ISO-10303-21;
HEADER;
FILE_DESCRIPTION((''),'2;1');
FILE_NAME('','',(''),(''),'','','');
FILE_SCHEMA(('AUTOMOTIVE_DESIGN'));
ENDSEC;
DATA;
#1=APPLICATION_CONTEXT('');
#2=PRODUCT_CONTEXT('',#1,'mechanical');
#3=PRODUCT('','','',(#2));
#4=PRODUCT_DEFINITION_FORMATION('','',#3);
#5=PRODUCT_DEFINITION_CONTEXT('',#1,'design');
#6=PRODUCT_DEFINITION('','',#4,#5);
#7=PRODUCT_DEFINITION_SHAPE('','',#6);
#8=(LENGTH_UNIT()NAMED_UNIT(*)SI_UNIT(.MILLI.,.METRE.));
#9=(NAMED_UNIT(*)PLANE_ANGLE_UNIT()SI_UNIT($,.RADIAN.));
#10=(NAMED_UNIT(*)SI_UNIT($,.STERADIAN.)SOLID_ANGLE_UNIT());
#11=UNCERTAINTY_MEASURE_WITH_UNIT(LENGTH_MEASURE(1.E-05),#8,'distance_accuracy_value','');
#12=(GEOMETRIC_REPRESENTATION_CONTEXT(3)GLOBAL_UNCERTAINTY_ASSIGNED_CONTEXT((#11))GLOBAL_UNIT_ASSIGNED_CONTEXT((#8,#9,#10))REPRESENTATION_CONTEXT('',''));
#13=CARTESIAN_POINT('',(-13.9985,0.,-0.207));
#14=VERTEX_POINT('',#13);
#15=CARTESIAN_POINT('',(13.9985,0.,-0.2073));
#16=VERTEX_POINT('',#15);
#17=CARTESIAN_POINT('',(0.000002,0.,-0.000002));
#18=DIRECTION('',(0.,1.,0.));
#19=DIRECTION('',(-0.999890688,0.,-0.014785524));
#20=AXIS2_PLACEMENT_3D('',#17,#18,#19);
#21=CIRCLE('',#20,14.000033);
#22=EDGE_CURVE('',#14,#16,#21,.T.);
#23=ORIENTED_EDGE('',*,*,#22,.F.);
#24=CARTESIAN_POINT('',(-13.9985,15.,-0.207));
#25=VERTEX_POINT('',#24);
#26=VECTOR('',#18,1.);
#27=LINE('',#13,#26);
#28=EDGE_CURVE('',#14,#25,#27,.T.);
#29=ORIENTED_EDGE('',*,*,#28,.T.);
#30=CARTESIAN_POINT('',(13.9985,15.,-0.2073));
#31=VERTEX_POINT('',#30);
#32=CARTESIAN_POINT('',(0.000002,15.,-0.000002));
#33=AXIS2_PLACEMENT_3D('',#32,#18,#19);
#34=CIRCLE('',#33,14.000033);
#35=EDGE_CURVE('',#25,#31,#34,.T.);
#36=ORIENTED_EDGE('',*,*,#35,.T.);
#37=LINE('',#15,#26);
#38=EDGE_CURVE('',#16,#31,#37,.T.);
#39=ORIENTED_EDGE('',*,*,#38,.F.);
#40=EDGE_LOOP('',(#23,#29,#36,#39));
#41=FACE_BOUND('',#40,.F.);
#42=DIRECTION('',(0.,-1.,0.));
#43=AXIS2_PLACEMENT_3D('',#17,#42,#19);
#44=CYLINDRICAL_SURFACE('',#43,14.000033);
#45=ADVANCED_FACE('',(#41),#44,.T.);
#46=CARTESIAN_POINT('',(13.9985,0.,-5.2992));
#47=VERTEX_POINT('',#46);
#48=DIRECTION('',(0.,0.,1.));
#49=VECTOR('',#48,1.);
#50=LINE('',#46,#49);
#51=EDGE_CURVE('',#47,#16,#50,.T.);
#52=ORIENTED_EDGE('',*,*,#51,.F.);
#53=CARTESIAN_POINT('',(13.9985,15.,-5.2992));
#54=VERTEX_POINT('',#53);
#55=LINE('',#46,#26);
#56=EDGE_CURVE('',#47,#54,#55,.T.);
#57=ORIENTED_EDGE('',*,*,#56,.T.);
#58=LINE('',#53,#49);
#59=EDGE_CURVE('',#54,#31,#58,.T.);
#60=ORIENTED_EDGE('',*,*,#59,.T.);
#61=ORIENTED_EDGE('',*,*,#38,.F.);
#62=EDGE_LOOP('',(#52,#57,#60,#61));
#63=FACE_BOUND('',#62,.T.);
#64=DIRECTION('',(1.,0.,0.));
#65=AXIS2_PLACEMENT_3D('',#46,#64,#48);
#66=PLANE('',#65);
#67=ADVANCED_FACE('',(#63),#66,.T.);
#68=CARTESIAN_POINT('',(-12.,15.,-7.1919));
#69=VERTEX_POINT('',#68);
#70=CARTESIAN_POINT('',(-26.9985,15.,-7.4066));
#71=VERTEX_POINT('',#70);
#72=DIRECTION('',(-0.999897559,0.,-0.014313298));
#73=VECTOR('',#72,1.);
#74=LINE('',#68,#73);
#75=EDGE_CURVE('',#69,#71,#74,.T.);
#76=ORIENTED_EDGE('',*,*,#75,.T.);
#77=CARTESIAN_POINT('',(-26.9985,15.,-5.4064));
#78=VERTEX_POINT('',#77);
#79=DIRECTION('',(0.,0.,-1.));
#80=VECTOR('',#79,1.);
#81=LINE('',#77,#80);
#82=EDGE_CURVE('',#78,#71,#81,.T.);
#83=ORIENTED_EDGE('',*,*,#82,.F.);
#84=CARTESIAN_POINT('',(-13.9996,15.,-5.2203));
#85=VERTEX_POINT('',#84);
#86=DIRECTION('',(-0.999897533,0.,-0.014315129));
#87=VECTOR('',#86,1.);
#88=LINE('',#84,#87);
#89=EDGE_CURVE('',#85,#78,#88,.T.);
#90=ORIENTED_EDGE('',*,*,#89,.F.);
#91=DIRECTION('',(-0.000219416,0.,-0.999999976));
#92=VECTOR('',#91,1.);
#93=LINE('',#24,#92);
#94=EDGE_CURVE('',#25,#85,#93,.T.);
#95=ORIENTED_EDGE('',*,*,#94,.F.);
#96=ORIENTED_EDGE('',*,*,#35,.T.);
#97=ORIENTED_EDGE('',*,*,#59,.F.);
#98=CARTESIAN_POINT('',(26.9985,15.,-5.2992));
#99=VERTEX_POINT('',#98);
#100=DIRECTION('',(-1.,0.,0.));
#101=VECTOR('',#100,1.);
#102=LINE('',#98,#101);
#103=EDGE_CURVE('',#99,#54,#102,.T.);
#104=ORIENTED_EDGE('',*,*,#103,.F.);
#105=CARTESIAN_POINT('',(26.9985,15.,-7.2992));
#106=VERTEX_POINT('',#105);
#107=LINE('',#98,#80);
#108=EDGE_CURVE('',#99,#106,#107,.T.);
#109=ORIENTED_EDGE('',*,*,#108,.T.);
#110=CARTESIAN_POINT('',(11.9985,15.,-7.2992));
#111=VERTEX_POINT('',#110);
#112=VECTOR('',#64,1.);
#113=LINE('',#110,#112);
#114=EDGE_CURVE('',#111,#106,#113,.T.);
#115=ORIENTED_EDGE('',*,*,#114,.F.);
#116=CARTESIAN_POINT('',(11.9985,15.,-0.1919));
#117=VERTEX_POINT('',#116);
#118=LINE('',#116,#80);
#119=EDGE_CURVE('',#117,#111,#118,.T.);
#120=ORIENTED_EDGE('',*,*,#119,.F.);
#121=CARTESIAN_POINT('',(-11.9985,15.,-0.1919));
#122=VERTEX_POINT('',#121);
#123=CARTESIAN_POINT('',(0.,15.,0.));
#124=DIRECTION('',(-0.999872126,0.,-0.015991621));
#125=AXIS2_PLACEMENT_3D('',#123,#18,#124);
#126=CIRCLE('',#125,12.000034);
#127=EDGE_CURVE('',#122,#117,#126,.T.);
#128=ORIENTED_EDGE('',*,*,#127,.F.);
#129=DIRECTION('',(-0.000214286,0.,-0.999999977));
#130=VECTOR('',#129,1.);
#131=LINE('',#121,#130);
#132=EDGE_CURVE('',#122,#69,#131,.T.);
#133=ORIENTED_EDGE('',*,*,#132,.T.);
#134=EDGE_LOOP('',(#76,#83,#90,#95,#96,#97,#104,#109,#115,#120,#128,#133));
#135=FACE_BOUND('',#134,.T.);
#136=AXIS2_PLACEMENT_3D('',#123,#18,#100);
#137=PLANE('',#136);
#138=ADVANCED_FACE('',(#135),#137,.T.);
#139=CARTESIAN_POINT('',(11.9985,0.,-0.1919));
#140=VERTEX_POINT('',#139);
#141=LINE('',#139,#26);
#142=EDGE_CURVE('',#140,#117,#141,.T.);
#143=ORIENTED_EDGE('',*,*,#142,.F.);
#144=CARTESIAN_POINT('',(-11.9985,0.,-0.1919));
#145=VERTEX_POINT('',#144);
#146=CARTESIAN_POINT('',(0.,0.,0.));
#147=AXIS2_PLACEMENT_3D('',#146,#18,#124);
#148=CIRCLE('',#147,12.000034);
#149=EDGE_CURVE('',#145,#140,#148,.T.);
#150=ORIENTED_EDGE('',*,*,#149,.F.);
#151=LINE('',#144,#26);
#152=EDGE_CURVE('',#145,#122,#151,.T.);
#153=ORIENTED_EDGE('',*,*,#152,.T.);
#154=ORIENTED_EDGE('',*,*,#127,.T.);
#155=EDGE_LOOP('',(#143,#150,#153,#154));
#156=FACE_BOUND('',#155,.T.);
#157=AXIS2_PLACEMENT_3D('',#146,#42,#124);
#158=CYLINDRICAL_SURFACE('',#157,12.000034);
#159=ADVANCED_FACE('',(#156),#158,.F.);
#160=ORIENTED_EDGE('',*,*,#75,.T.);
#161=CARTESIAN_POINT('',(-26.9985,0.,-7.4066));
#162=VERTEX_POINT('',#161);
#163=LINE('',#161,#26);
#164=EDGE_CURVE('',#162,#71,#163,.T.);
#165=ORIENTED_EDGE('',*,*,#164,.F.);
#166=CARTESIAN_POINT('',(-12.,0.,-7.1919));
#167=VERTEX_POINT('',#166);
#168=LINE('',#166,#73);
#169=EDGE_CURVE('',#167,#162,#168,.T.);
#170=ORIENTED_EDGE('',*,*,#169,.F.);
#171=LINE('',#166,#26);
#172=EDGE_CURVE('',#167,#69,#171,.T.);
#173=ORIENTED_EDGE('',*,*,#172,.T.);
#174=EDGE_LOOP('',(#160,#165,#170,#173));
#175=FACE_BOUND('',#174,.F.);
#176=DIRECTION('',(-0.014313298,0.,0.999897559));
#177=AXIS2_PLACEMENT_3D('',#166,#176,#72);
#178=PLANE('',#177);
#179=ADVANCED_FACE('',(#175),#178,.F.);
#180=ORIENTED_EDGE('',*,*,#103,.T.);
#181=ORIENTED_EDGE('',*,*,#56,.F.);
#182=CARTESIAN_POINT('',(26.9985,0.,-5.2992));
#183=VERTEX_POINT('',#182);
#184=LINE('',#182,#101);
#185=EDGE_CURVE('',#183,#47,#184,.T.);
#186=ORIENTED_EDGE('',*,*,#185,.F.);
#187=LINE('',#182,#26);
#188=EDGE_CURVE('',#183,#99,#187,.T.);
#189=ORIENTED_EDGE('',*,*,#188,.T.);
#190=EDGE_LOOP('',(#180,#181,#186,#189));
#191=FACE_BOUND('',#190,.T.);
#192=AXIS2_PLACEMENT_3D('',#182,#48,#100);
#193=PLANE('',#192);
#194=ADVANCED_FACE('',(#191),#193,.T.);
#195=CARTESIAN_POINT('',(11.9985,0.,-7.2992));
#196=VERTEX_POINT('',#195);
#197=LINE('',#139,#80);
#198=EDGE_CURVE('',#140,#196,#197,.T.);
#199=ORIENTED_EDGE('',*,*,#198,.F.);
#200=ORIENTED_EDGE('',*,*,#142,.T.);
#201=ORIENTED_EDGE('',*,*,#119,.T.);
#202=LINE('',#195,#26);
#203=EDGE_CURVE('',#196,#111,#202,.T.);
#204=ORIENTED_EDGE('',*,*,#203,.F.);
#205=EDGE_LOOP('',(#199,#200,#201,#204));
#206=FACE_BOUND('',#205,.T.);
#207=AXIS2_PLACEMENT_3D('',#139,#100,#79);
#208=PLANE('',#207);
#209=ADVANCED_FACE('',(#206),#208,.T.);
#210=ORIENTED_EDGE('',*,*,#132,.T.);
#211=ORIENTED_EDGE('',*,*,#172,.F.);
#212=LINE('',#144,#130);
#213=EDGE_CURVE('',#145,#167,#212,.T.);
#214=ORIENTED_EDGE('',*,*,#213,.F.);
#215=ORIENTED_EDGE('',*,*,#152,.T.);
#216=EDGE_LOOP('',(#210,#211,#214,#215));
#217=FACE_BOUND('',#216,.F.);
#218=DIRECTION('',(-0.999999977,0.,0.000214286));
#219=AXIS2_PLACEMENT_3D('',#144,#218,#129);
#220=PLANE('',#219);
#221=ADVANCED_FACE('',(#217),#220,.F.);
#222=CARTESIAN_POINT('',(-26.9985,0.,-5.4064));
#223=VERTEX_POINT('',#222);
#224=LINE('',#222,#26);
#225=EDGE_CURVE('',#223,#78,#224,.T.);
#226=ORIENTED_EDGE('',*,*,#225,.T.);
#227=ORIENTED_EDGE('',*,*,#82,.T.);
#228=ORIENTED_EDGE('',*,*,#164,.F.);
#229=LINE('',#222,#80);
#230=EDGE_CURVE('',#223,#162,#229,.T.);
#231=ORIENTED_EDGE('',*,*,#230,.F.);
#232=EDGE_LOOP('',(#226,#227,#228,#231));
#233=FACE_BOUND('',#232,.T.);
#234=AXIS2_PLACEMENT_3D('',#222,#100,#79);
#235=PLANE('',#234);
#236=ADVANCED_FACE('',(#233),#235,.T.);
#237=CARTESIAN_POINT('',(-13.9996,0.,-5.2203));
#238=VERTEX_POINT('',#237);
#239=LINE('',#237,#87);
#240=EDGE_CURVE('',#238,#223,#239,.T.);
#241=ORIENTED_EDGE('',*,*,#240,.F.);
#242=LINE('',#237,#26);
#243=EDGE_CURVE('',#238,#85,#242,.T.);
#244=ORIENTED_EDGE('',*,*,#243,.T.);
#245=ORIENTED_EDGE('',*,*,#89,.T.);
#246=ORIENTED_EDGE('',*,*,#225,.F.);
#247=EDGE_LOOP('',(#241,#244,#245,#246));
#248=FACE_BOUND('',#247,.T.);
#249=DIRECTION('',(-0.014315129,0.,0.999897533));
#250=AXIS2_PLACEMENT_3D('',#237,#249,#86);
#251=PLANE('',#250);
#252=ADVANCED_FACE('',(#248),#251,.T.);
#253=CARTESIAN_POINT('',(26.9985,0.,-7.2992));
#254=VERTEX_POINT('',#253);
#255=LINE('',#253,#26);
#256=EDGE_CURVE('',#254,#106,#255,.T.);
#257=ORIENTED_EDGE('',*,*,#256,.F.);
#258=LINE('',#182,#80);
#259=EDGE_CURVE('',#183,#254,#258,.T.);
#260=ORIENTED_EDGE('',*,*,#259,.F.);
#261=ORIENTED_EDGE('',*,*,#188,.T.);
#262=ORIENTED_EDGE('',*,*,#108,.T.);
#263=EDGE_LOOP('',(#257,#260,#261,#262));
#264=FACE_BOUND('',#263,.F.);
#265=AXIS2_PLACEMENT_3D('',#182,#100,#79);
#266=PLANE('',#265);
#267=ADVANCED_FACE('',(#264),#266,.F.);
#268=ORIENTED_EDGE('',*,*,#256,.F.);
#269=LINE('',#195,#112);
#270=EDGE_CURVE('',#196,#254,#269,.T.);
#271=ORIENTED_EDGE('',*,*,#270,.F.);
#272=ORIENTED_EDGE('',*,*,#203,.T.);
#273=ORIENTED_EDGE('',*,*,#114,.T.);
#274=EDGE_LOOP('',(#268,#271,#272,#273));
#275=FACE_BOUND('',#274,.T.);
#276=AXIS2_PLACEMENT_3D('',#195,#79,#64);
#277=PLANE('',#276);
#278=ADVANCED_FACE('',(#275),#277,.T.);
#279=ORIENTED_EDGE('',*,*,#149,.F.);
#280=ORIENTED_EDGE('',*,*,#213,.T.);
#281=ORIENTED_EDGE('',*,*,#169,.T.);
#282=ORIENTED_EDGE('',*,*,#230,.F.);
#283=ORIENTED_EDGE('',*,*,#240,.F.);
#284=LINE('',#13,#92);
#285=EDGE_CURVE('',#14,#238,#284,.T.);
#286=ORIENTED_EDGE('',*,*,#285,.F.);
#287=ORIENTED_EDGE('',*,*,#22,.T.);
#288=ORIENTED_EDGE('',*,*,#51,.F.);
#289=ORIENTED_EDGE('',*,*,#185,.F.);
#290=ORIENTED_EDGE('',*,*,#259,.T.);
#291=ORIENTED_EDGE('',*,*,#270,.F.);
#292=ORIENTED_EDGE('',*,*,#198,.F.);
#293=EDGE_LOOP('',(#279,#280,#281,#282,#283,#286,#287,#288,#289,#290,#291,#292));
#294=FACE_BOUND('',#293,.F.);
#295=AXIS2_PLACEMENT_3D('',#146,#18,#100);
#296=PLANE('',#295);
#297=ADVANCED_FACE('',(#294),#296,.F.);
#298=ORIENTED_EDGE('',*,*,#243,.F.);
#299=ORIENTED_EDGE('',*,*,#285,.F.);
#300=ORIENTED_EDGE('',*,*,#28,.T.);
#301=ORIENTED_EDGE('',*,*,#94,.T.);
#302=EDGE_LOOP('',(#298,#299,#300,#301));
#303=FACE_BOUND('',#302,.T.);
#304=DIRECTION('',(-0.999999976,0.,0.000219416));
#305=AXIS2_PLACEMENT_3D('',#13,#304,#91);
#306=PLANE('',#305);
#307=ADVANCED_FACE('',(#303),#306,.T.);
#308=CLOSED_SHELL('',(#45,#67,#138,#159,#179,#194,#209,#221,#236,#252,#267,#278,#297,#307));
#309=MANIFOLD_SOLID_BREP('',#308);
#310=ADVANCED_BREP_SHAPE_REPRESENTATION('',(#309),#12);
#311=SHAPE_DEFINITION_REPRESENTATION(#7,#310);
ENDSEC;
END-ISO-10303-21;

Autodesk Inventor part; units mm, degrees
ref_plane "YZ Plane" through (0, 0, 0) normal (1, 0, 0) x (0, 1, 0)
ref_plane "XZ Plane" through (0, 0, 0) normal (0, 1, 0) x (-1, 0, 0)
ref_plane "XY Plane" through (0, 0, 0) normal (0, 0, 1) x (1, 0, 0)
sketch "Sketch3" plane through (0, 0, 0) normal (0, 1, 0) x (-1, 0, 0)
  arc A0 (11.9985, -0.1919) -> (-11.9985, -0.1919) centre (0, 0) ccw
  line L0 (11.9985, -0.1919) -> (12, -7.1919)
  line L1 (12, -7.1919) -> (26.9985, -7.4066)
  line L2 (-11.9985, -0.1919) -> (-11.9985, -7.2992)
  line L3 (-11.9985, -7.2992) -> (-26.9985, -7.2992)
  line L4 (-26.9985, -5.2992) -> (-13.9985, -5.2992)
  line L5 (-13.9985, -5.2992) -> (-13.9985, -0.2073)
  arc A1 (13.9985, -0.207) -> (-13.9985, -0.2073) centre (0, 0) ccw
  line L6 (13.9985, -0.207) -> (13.9996, -5.2203)
  line L7 (13.9996, -5.2203) -> (26.9985, -5.4064)
  line L8 (-26.9985, -5.2992) -> (-26.9985, -7.2992)
  line L9 (26.9985, -5.4064) -> (26.9985, -7.4066)
  dimension "d25" = 24
  dimension "d26" = 7
  dimension "d27" = 15
  dimension "d28" = 15
  dimension "d29" = 2
extrude "Extrusion3" add sketch "Sketch3" along normal blind 15
properties part number "Hange"
